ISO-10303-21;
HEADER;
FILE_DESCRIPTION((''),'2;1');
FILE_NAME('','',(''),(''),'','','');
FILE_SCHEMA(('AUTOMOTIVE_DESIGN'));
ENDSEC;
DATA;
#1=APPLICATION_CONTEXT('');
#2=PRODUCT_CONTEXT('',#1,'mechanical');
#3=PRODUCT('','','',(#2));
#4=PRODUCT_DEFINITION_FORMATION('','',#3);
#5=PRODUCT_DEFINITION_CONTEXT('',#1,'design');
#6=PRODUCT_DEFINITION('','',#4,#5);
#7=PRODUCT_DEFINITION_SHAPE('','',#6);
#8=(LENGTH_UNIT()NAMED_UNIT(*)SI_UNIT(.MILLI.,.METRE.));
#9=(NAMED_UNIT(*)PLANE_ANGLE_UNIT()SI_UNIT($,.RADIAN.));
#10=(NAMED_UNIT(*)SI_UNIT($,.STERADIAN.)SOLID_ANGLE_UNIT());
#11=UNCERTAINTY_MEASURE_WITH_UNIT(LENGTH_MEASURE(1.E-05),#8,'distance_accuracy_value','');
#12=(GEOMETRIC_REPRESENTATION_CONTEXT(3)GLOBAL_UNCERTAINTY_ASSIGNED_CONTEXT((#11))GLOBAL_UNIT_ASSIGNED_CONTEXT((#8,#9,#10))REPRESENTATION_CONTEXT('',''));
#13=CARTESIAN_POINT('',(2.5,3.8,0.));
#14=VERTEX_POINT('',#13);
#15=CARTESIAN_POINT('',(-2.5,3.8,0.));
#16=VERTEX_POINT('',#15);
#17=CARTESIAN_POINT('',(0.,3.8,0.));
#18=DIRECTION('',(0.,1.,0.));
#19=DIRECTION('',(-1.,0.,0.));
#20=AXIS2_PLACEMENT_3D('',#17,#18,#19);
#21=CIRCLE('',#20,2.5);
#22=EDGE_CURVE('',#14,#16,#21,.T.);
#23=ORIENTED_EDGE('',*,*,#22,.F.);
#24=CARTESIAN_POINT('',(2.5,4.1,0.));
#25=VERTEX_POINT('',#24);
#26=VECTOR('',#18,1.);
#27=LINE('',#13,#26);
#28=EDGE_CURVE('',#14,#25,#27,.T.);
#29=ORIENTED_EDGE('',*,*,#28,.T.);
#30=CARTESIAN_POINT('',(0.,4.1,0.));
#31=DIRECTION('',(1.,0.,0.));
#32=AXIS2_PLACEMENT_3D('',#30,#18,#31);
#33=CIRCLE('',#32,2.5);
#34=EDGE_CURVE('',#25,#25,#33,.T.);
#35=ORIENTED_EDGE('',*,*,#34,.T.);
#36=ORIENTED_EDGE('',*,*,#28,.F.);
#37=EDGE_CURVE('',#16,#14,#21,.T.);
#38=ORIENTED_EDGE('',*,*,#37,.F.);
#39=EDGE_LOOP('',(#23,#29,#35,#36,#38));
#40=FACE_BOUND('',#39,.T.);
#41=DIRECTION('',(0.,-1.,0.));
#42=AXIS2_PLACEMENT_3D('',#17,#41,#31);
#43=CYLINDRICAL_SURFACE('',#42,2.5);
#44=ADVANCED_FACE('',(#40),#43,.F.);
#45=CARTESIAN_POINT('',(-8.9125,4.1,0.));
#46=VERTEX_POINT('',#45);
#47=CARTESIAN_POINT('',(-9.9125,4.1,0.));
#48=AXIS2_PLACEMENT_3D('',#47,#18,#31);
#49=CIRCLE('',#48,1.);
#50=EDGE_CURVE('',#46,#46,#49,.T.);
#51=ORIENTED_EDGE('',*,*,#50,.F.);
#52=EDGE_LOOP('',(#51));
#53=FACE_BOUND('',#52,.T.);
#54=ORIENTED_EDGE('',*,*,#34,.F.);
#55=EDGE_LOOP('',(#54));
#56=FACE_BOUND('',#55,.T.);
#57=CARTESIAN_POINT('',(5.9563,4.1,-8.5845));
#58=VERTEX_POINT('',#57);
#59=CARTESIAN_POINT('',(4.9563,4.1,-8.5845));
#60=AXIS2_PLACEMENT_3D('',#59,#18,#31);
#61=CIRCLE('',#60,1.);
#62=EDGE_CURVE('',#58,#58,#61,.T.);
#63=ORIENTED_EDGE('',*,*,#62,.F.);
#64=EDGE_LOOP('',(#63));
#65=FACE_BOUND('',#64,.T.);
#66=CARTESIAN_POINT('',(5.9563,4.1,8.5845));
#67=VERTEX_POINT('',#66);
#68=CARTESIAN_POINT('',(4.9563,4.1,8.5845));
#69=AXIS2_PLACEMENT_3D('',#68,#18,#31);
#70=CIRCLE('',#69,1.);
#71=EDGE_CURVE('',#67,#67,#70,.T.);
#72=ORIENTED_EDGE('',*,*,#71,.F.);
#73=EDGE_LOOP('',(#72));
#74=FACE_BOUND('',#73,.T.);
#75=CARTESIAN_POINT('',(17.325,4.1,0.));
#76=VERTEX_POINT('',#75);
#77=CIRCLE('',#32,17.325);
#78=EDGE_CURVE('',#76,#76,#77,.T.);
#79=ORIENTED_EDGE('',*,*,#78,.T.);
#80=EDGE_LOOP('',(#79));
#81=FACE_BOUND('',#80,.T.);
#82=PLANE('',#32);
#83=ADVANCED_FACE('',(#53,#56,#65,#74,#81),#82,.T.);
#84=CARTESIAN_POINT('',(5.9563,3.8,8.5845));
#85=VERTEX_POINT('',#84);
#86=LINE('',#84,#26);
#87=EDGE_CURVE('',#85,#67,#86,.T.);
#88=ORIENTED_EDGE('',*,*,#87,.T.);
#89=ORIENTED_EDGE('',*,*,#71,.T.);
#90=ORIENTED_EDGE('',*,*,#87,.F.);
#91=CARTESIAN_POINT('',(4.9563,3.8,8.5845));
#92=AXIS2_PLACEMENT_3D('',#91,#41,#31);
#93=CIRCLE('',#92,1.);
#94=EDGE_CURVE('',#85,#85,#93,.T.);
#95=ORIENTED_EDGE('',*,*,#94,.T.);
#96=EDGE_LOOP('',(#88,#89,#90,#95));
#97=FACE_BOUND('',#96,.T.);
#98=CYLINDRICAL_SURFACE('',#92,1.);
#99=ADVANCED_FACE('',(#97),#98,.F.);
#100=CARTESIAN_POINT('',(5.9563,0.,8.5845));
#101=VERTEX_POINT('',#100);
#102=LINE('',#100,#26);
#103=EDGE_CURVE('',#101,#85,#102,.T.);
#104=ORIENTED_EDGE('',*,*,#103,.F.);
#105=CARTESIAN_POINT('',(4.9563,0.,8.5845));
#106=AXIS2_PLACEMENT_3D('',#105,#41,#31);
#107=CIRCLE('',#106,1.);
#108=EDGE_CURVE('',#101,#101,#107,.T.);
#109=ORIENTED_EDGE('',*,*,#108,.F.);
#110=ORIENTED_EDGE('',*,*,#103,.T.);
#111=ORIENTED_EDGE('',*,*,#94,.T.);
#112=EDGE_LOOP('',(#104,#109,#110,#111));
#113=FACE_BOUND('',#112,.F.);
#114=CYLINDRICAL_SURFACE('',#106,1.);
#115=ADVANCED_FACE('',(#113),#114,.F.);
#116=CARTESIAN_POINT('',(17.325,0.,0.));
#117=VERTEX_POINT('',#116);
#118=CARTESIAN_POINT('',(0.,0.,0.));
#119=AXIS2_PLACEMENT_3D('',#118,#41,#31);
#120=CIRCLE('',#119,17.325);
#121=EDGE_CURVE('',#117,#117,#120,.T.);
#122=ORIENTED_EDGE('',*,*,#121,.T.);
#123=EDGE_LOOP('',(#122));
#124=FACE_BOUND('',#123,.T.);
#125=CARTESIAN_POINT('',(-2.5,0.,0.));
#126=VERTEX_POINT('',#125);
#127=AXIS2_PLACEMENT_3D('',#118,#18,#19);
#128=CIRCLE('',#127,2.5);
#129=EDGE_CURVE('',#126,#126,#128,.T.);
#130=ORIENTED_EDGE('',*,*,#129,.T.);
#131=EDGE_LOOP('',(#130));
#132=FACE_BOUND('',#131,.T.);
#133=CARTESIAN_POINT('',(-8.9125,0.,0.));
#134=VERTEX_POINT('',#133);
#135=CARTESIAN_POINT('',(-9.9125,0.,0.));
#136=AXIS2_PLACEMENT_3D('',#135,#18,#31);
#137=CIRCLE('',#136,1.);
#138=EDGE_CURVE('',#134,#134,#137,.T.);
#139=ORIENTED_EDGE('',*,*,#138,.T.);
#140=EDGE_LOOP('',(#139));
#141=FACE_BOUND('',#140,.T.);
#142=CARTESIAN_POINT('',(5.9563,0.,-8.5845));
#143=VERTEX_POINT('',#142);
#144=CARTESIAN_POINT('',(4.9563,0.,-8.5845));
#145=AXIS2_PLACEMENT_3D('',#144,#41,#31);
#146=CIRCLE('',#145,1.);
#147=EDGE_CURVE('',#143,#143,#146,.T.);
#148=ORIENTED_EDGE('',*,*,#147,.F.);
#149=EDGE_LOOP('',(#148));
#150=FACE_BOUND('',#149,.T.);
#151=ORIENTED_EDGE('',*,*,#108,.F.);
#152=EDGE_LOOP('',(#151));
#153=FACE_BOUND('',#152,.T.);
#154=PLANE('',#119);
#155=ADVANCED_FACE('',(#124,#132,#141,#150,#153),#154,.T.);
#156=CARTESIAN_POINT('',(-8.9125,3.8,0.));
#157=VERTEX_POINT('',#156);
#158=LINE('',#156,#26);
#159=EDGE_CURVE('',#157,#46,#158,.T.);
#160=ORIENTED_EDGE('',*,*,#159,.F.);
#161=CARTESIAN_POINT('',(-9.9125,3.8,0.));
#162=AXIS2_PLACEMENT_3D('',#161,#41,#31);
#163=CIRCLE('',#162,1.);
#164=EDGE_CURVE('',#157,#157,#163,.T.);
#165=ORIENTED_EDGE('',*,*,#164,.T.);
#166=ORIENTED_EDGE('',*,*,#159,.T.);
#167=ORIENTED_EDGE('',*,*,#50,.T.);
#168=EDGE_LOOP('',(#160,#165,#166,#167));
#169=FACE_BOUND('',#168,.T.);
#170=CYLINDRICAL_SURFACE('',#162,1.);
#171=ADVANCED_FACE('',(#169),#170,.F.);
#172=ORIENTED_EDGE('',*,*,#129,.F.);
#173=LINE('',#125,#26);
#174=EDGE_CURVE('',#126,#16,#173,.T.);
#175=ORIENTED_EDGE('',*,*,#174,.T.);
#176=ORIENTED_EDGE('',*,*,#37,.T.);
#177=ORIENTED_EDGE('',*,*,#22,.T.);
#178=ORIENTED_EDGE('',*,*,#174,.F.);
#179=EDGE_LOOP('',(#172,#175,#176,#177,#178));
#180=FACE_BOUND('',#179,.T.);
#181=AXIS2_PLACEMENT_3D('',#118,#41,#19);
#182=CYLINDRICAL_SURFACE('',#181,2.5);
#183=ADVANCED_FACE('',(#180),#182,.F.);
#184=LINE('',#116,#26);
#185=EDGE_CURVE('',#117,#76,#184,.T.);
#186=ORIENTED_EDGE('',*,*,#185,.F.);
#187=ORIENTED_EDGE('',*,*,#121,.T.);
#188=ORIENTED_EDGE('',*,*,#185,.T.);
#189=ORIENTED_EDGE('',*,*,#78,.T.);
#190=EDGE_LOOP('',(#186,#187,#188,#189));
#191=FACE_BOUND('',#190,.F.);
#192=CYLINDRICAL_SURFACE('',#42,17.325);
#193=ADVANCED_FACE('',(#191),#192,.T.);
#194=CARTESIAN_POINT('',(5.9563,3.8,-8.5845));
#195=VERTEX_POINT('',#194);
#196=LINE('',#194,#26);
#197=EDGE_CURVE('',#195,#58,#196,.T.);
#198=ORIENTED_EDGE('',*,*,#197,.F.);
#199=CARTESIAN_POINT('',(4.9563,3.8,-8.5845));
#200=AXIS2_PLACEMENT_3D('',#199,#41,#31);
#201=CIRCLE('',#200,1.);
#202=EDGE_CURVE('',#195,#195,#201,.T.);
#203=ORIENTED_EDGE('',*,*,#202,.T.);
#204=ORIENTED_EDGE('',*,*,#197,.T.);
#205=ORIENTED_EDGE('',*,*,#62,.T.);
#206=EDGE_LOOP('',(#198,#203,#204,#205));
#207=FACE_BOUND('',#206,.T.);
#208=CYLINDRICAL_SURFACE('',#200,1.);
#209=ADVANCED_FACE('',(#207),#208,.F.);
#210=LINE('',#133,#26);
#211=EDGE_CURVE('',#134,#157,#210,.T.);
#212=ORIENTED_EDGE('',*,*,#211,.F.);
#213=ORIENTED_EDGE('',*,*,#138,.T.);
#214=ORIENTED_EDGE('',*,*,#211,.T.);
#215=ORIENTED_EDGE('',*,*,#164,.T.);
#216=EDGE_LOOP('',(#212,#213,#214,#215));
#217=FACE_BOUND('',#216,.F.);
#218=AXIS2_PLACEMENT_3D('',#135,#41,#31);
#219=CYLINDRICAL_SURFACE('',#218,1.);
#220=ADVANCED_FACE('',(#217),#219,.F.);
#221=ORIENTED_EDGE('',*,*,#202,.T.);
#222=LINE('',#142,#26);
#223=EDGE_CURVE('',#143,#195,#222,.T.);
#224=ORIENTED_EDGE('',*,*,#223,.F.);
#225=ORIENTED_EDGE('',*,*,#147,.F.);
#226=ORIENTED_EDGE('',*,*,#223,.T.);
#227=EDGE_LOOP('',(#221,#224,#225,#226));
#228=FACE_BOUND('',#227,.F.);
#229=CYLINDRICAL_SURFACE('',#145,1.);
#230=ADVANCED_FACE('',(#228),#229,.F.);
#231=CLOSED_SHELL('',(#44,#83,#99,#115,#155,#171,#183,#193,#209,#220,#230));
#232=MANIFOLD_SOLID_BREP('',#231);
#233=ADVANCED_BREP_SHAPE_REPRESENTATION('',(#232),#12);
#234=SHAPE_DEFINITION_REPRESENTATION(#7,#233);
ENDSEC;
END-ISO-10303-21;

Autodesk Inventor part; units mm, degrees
ref_plane "YZ Plane" through (0, 0, 0) normal (1, 0, 0) x (0, 1, 0)
ref_plane "XZ Plane" through (0, 0, 0) normal (0, 1, 0) x (-1, 0, 0)
ref_plane "XY Plane" through (0, 0, 0) normal (0, 0, 1) x (1, 0, 0)
sketch "Sketch1" plane through (0, 0, 0) normal (0, 1, 0) x (-1, 0, 0)
  circle A0 centre (0, 0) radius 16.575
  circle A1 centre (0, 0) radius 2.5
  dimension "d0" = 33.15
  dimension "d1" = 5
extrude "Extrusion1" add sketch "Sketch1" along normal blind 3.8
sketch "Sketch2" plane through (0, 3.8, 0) normal (0, 1, 0) x (1, 0, 0)
  circle A0 centre (0, 0) radius 2.5 projected
  circle A1 centre (0, 0) radius 16.575 projected
  line L0 (-2.5, 0) -> (-16.575, 0)
  circle A2 centre (-9.5375, 0) radius 1.5
  line L1 (0, 0) -> (16.575, 0) construction
  line L2 (0, 0) -> (16.575, 0) construction
  circle A3 centre (4.7688, 8.2597) radius 1.5
  circle A4 centre (4.7688, -8.2597) radius 1.5
  dimension "d4" = 3
  dimension "d7" = 3
  dimension "d8" = 3
extrude "Extrusion2" cut sketch "Sketch2" against normal blind 3.8 contours A2 L0 | L0 A2 | A3 | A4
sketch "Sketch3" plane through (0, 0, 0) normal (0, -1, 0) x (1, 0, 0)
  circle A0 centre (0, 0) radius 16.575 projected
  circle A1 centre (0, 0) radius 17.325
  dimension "d11" = 34.65
extrude "Extrusion3" add sketch "Sketch3" against normal blind 3.8
sketch "Sketch4" plane through (0, 0, 0) normal (0, -1, 0) x (1, 0, 0)
  circle A0 centre (4.7688, -8.2597) radius 1.5 projected
  circle A1 centre (-9.5375, 0) radius 1.5 projected
  circle A2 centre (4.7688, 8.2597) radius 1.5 projected
extrude "Extrusion4" add sketch "Sketch4" against normal blind 3.8
sketch "Sketch5" plane through (0, 0, 0) normal (0, -1, 0) x (1, 0, 0)
  circle A0 centre (0, 0) radius 17.325 projected
  circle A1 centre (0, 0) radius 2.5 projected
  line L0 (-2.5, 0) -> (-17.325, 0)
  circle A2 centre (-9.9125, 0) radius 1
  line L1 (0, 0) -> (17.325, 0) construction
  line L2 (0, 0) -> (17.325, 0) construction
  circle A3 centre (4.9563, -8.5845) radius 1
  circle A4 centre (4.9563, 8.5845) radius 1
  dimension "d16" = 2
  dimension "d19" = 2
  dimension "d20" = 2
extrude "Extrusion5" cut sketch "Sketch5" against normal blind 3.8 contours A2 L0 | L0 A2 | A3 | A4
sketch "Sketch7" plane through (0, 3.8, 0) normal (0, 1, 0) x (1, 0, 0)
  circle A0 centre (4.9563, 8.5845) radius 1 projected
  circle A1 centre (-9.9125, 0) radius 1 projected
  circle A2 centre (4.9563, -8.5845) radius 1 projected
  circle A3 centre (0, 0) radius 17.325 projected
  circle A4 centre (0, 0) radius 2.5 projected
extrude "Extrusion6" add sketch "Sketch7" along normal blind 0.3
properties part number "kolecko_rameno(2)"
